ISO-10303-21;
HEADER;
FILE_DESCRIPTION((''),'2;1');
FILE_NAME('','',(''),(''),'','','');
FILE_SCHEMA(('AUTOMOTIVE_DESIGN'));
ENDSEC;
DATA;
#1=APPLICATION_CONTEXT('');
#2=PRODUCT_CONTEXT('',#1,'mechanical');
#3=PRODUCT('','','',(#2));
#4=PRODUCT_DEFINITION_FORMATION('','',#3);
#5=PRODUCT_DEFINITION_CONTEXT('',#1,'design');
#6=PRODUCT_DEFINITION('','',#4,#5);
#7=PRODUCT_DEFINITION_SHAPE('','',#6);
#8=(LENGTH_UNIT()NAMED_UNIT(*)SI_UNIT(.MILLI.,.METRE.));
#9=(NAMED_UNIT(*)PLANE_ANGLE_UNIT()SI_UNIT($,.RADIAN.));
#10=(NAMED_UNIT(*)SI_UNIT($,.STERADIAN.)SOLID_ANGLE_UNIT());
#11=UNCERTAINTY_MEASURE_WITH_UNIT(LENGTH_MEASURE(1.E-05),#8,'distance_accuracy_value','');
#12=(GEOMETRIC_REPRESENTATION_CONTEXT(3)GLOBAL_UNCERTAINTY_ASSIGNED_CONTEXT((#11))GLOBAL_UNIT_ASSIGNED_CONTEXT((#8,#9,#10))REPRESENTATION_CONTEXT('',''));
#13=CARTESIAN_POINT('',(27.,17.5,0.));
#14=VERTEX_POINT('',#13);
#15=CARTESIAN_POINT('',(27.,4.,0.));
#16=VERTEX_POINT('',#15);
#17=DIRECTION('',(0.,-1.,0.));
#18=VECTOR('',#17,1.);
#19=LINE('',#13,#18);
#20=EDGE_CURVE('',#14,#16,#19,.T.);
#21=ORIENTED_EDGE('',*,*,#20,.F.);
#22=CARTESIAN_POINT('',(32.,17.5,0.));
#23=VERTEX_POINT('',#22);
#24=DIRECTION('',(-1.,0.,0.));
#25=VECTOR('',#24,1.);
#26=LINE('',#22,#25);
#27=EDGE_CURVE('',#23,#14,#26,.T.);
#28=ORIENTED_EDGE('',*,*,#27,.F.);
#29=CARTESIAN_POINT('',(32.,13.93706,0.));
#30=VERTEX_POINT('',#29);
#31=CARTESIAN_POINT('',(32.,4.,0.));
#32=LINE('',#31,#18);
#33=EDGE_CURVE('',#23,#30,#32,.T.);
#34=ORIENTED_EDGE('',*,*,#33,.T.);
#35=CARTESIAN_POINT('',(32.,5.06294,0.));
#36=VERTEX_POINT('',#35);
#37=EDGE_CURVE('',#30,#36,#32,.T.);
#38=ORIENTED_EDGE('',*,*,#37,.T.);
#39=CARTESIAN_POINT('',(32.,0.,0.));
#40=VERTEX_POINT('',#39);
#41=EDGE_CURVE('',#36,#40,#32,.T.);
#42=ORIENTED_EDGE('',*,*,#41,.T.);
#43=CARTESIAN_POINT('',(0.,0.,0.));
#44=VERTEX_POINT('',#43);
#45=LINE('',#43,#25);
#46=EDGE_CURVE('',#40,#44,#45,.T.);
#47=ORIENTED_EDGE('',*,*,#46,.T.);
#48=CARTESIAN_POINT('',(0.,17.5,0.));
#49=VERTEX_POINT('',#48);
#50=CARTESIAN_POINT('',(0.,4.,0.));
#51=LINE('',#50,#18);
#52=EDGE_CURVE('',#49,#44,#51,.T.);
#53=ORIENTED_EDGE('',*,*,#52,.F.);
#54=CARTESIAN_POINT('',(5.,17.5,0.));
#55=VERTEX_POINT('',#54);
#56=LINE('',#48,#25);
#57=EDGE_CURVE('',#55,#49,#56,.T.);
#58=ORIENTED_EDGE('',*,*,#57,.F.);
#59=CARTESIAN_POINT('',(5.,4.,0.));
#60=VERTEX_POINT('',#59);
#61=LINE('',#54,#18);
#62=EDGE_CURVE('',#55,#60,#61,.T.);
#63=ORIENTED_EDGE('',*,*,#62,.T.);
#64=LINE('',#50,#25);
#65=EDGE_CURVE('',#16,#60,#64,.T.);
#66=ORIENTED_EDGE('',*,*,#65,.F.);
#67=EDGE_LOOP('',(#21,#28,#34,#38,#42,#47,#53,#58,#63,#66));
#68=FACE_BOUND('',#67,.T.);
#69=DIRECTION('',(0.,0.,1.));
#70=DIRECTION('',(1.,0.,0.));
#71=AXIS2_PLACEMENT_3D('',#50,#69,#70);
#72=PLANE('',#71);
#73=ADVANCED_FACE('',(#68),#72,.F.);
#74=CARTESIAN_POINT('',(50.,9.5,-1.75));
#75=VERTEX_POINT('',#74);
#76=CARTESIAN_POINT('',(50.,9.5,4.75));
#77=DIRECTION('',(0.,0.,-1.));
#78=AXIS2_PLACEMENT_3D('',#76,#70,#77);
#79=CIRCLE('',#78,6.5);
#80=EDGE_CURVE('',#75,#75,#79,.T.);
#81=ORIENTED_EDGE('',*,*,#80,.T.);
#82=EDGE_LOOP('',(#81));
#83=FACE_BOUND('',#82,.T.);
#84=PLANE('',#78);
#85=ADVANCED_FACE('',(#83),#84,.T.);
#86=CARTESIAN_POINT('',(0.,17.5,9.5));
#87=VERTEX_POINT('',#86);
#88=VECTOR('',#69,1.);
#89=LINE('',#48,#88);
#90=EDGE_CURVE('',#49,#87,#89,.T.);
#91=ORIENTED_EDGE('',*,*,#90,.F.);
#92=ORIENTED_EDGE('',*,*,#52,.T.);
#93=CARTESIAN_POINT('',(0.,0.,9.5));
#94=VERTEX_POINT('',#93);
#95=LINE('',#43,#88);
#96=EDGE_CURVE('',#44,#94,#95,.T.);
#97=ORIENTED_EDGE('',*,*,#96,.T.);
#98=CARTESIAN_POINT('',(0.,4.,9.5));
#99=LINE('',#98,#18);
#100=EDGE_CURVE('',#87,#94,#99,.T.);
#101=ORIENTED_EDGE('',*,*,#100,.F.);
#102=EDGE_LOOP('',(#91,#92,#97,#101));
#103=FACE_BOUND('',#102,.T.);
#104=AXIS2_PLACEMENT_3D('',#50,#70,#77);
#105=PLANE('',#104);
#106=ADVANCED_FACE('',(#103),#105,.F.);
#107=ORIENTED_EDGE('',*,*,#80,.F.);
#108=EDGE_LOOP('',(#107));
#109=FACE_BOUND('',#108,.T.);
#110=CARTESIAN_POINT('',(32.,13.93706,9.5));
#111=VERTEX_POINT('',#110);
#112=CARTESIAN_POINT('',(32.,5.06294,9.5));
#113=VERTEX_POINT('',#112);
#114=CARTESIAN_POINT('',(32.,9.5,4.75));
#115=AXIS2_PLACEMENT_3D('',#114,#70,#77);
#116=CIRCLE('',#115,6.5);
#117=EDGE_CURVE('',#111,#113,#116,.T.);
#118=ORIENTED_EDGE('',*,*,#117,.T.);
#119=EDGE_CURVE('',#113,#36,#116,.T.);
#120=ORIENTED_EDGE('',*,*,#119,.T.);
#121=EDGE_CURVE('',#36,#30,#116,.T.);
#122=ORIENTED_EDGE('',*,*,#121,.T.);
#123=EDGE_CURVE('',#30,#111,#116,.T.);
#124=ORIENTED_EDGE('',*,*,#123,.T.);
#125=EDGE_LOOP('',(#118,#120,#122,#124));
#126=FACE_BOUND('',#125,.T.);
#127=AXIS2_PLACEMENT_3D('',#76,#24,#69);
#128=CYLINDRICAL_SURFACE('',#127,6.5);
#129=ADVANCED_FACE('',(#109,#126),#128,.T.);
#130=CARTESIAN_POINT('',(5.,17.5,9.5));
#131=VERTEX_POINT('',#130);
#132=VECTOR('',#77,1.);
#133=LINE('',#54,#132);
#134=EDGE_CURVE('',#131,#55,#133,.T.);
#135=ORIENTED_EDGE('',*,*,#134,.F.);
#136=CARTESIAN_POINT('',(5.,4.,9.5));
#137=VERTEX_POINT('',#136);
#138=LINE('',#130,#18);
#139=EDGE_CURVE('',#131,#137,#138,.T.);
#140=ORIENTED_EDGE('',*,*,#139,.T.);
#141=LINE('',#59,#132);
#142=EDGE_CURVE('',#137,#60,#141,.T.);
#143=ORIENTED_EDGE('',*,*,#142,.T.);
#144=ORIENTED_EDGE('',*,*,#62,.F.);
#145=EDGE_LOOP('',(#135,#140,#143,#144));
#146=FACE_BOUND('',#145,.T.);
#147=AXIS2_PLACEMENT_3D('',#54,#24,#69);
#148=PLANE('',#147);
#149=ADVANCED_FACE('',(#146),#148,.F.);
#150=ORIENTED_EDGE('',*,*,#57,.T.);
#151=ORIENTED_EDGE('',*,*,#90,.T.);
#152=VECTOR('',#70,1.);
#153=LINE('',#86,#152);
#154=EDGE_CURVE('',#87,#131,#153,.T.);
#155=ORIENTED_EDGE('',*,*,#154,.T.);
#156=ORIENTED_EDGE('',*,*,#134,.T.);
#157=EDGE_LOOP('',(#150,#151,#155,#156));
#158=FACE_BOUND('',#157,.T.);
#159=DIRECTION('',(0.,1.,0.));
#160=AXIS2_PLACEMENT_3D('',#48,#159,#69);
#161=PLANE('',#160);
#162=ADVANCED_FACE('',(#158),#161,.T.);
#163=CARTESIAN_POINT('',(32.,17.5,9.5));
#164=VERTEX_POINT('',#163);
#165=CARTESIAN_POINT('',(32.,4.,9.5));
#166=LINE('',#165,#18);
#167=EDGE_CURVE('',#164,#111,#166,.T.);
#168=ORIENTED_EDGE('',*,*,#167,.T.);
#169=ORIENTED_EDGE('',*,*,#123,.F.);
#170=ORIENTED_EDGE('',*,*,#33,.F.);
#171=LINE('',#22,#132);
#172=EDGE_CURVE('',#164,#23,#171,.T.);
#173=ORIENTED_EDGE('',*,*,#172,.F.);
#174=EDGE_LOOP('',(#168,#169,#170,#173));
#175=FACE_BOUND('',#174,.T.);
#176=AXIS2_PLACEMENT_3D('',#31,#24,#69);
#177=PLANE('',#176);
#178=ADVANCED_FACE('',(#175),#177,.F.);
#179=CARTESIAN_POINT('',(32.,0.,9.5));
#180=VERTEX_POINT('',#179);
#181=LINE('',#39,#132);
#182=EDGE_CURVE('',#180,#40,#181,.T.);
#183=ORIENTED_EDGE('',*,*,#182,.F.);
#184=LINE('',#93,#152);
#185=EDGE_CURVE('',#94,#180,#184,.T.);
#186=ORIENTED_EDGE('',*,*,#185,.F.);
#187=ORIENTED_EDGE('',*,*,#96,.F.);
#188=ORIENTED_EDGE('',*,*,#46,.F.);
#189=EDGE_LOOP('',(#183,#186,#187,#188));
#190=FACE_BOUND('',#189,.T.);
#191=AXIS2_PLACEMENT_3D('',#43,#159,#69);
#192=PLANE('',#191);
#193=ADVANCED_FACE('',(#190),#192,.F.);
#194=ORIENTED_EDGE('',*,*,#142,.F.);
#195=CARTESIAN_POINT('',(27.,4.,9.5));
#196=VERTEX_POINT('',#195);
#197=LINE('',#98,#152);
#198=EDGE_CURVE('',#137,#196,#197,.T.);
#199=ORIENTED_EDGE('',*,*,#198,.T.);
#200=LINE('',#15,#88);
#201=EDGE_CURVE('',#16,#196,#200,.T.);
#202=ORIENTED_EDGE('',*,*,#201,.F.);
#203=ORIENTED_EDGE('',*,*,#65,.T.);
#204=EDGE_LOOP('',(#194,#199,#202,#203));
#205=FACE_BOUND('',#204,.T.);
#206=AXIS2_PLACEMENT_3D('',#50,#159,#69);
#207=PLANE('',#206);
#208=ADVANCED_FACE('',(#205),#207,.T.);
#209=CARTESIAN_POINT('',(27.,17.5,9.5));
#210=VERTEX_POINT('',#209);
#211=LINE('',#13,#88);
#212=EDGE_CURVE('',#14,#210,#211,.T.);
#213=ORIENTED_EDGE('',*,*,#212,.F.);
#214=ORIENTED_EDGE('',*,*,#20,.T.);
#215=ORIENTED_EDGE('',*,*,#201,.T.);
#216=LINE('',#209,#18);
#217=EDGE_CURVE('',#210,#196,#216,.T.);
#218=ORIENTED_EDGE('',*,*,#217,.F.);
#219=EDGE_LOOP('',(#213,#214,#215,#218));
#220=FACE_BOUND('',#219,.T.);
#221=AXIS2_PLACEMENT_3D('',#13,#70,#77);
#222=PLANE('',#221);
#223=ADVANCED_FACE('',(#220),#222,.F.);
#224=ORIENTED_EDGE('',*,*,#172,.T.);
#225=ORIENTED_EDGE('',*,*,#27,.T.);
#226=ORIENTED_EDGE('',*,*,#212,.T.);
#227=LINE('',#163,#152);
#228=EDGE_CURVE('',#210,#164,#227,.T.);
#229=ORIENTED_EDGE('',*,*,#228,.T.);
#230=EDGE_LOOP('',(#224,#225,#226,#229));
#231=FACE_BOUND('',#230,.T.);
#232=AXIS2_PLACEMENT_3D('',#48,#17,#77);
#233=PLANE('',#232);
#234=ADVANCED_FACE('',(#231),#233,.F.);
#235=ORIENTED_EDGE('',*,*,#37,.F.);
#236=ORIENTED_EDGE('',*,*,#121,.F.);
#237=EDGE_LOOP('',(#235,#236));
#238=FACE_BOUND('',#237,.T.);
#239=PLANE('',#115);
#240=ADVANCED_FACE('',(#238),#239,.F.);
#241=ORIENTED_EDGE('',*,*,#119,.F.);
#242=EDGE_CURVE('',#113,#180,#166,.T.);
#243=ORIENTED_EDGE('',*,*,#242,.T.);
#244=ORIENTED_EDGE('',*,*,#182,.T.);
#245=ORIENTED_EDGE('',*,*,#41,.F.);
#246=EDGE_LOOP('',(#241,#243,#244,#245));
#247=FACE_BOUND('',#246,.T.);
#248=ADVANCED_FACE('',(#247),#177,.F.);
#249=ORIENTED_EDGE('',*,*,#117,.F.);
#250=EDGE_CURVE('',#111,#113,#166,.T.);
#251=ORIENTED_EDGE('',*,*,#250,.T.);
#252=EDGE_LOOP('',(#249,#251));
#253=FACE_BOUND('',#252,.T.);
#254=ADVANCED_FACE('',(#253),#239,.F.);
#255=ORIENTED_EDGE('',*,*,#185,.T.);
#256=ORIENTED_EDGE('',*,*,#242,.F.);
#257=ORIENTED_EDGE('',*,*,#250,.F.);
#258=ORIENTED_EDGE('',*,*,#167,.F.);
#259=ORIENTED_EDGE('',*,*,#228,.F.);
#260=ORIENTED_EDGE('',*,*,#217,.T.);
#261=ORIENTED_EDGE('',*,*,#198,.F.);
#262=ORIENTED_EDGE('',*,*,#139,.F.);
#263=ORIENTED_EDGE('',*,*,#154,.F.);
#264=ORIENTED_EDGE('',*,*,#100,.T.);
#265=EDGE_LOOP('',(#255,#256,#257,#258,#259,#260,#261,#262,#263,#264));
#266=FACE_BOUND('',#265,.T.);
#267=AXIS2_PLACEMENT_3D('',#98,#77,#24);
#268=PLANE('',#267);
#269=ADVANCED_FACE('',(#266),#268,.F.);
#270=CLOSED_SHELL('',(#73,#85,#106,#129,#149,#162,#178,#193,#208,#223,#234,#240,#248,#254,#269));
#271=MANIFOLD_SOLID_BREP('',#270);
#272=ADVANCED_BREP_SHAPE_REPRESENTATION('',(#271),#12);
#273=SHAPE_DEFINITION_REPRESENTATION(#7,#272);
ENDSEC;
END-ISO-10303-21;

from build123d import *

# Parameters (mm, degrees)
SKETCH_1_W      = 32
SKETCH_1_H      = 9.5
EXTRUDE_1_DEPTH = 4
SKETCH_2_W      = 5
SKETCH_2_H      = 9.5
EXTRUDE_2_DEPTH = 13.5
SKETCH_3_W      = 5
SKETCH_3_H      = 9.5
EXTRUDE_3_DEPTH = 13.5
SKETCH_4_R      = 6.5
EXTRUDE_4_DEPTH = 18


with BuildPart() as part:
    # 草图1 → 凸台-拉伸1 (new body)
    with BuildSketch(Plane(origin=(0, 0, 0), x_dir=(1, 0, 0), z_dir=(0, 1, 0))):
        with Locations((16, -4.75)):
            Rectangle(SKETCH_1_W, SKETCH_1_H)
    extrude(amount=EXTRUDE_1_DEPTH)

    # 草图2 → 凸台-拉伸2 (add)
    with BuildSketch(Plane(origin=(0, 4, 0), x_dir=(1, 0, 0), z_dir=(0, 1, 0))):
        with Locations((2.5, -4.75)):
            Rectangle(SKETCH_2_W, SKETCH_2_H)
    extrude(amount=EXTRUDE_2_DEPTH)

    # 草图3 → 凸台-拉伸3 (add)
    with BuildSketch(Plane(origin=(0, 4, 0), x_dir=(1, 0, 0), z_dir=(0, 1, 0))):
        with Locations((29.5, -4.75)):
            Rectangle(SKETCH_3_W, SKETCH_3_H)
    extrude(amount=EXTRUDE_3_DEPTH)

    # 草图4 → 凸台-拉伸4 (add)
    with BuildSketch(Plane(origin=(32, 0, 0), x_dir=(0, 0, -1), z_dir=(1, 0, 0))):
        with Locations(Location((-4.75, 9.5, 0), (0, 0, 136.9509202))):
            Circle(SKETCH_4_R)
    extrude(amount=EXTRUDE_4_DEPTH)


solid = part.part
